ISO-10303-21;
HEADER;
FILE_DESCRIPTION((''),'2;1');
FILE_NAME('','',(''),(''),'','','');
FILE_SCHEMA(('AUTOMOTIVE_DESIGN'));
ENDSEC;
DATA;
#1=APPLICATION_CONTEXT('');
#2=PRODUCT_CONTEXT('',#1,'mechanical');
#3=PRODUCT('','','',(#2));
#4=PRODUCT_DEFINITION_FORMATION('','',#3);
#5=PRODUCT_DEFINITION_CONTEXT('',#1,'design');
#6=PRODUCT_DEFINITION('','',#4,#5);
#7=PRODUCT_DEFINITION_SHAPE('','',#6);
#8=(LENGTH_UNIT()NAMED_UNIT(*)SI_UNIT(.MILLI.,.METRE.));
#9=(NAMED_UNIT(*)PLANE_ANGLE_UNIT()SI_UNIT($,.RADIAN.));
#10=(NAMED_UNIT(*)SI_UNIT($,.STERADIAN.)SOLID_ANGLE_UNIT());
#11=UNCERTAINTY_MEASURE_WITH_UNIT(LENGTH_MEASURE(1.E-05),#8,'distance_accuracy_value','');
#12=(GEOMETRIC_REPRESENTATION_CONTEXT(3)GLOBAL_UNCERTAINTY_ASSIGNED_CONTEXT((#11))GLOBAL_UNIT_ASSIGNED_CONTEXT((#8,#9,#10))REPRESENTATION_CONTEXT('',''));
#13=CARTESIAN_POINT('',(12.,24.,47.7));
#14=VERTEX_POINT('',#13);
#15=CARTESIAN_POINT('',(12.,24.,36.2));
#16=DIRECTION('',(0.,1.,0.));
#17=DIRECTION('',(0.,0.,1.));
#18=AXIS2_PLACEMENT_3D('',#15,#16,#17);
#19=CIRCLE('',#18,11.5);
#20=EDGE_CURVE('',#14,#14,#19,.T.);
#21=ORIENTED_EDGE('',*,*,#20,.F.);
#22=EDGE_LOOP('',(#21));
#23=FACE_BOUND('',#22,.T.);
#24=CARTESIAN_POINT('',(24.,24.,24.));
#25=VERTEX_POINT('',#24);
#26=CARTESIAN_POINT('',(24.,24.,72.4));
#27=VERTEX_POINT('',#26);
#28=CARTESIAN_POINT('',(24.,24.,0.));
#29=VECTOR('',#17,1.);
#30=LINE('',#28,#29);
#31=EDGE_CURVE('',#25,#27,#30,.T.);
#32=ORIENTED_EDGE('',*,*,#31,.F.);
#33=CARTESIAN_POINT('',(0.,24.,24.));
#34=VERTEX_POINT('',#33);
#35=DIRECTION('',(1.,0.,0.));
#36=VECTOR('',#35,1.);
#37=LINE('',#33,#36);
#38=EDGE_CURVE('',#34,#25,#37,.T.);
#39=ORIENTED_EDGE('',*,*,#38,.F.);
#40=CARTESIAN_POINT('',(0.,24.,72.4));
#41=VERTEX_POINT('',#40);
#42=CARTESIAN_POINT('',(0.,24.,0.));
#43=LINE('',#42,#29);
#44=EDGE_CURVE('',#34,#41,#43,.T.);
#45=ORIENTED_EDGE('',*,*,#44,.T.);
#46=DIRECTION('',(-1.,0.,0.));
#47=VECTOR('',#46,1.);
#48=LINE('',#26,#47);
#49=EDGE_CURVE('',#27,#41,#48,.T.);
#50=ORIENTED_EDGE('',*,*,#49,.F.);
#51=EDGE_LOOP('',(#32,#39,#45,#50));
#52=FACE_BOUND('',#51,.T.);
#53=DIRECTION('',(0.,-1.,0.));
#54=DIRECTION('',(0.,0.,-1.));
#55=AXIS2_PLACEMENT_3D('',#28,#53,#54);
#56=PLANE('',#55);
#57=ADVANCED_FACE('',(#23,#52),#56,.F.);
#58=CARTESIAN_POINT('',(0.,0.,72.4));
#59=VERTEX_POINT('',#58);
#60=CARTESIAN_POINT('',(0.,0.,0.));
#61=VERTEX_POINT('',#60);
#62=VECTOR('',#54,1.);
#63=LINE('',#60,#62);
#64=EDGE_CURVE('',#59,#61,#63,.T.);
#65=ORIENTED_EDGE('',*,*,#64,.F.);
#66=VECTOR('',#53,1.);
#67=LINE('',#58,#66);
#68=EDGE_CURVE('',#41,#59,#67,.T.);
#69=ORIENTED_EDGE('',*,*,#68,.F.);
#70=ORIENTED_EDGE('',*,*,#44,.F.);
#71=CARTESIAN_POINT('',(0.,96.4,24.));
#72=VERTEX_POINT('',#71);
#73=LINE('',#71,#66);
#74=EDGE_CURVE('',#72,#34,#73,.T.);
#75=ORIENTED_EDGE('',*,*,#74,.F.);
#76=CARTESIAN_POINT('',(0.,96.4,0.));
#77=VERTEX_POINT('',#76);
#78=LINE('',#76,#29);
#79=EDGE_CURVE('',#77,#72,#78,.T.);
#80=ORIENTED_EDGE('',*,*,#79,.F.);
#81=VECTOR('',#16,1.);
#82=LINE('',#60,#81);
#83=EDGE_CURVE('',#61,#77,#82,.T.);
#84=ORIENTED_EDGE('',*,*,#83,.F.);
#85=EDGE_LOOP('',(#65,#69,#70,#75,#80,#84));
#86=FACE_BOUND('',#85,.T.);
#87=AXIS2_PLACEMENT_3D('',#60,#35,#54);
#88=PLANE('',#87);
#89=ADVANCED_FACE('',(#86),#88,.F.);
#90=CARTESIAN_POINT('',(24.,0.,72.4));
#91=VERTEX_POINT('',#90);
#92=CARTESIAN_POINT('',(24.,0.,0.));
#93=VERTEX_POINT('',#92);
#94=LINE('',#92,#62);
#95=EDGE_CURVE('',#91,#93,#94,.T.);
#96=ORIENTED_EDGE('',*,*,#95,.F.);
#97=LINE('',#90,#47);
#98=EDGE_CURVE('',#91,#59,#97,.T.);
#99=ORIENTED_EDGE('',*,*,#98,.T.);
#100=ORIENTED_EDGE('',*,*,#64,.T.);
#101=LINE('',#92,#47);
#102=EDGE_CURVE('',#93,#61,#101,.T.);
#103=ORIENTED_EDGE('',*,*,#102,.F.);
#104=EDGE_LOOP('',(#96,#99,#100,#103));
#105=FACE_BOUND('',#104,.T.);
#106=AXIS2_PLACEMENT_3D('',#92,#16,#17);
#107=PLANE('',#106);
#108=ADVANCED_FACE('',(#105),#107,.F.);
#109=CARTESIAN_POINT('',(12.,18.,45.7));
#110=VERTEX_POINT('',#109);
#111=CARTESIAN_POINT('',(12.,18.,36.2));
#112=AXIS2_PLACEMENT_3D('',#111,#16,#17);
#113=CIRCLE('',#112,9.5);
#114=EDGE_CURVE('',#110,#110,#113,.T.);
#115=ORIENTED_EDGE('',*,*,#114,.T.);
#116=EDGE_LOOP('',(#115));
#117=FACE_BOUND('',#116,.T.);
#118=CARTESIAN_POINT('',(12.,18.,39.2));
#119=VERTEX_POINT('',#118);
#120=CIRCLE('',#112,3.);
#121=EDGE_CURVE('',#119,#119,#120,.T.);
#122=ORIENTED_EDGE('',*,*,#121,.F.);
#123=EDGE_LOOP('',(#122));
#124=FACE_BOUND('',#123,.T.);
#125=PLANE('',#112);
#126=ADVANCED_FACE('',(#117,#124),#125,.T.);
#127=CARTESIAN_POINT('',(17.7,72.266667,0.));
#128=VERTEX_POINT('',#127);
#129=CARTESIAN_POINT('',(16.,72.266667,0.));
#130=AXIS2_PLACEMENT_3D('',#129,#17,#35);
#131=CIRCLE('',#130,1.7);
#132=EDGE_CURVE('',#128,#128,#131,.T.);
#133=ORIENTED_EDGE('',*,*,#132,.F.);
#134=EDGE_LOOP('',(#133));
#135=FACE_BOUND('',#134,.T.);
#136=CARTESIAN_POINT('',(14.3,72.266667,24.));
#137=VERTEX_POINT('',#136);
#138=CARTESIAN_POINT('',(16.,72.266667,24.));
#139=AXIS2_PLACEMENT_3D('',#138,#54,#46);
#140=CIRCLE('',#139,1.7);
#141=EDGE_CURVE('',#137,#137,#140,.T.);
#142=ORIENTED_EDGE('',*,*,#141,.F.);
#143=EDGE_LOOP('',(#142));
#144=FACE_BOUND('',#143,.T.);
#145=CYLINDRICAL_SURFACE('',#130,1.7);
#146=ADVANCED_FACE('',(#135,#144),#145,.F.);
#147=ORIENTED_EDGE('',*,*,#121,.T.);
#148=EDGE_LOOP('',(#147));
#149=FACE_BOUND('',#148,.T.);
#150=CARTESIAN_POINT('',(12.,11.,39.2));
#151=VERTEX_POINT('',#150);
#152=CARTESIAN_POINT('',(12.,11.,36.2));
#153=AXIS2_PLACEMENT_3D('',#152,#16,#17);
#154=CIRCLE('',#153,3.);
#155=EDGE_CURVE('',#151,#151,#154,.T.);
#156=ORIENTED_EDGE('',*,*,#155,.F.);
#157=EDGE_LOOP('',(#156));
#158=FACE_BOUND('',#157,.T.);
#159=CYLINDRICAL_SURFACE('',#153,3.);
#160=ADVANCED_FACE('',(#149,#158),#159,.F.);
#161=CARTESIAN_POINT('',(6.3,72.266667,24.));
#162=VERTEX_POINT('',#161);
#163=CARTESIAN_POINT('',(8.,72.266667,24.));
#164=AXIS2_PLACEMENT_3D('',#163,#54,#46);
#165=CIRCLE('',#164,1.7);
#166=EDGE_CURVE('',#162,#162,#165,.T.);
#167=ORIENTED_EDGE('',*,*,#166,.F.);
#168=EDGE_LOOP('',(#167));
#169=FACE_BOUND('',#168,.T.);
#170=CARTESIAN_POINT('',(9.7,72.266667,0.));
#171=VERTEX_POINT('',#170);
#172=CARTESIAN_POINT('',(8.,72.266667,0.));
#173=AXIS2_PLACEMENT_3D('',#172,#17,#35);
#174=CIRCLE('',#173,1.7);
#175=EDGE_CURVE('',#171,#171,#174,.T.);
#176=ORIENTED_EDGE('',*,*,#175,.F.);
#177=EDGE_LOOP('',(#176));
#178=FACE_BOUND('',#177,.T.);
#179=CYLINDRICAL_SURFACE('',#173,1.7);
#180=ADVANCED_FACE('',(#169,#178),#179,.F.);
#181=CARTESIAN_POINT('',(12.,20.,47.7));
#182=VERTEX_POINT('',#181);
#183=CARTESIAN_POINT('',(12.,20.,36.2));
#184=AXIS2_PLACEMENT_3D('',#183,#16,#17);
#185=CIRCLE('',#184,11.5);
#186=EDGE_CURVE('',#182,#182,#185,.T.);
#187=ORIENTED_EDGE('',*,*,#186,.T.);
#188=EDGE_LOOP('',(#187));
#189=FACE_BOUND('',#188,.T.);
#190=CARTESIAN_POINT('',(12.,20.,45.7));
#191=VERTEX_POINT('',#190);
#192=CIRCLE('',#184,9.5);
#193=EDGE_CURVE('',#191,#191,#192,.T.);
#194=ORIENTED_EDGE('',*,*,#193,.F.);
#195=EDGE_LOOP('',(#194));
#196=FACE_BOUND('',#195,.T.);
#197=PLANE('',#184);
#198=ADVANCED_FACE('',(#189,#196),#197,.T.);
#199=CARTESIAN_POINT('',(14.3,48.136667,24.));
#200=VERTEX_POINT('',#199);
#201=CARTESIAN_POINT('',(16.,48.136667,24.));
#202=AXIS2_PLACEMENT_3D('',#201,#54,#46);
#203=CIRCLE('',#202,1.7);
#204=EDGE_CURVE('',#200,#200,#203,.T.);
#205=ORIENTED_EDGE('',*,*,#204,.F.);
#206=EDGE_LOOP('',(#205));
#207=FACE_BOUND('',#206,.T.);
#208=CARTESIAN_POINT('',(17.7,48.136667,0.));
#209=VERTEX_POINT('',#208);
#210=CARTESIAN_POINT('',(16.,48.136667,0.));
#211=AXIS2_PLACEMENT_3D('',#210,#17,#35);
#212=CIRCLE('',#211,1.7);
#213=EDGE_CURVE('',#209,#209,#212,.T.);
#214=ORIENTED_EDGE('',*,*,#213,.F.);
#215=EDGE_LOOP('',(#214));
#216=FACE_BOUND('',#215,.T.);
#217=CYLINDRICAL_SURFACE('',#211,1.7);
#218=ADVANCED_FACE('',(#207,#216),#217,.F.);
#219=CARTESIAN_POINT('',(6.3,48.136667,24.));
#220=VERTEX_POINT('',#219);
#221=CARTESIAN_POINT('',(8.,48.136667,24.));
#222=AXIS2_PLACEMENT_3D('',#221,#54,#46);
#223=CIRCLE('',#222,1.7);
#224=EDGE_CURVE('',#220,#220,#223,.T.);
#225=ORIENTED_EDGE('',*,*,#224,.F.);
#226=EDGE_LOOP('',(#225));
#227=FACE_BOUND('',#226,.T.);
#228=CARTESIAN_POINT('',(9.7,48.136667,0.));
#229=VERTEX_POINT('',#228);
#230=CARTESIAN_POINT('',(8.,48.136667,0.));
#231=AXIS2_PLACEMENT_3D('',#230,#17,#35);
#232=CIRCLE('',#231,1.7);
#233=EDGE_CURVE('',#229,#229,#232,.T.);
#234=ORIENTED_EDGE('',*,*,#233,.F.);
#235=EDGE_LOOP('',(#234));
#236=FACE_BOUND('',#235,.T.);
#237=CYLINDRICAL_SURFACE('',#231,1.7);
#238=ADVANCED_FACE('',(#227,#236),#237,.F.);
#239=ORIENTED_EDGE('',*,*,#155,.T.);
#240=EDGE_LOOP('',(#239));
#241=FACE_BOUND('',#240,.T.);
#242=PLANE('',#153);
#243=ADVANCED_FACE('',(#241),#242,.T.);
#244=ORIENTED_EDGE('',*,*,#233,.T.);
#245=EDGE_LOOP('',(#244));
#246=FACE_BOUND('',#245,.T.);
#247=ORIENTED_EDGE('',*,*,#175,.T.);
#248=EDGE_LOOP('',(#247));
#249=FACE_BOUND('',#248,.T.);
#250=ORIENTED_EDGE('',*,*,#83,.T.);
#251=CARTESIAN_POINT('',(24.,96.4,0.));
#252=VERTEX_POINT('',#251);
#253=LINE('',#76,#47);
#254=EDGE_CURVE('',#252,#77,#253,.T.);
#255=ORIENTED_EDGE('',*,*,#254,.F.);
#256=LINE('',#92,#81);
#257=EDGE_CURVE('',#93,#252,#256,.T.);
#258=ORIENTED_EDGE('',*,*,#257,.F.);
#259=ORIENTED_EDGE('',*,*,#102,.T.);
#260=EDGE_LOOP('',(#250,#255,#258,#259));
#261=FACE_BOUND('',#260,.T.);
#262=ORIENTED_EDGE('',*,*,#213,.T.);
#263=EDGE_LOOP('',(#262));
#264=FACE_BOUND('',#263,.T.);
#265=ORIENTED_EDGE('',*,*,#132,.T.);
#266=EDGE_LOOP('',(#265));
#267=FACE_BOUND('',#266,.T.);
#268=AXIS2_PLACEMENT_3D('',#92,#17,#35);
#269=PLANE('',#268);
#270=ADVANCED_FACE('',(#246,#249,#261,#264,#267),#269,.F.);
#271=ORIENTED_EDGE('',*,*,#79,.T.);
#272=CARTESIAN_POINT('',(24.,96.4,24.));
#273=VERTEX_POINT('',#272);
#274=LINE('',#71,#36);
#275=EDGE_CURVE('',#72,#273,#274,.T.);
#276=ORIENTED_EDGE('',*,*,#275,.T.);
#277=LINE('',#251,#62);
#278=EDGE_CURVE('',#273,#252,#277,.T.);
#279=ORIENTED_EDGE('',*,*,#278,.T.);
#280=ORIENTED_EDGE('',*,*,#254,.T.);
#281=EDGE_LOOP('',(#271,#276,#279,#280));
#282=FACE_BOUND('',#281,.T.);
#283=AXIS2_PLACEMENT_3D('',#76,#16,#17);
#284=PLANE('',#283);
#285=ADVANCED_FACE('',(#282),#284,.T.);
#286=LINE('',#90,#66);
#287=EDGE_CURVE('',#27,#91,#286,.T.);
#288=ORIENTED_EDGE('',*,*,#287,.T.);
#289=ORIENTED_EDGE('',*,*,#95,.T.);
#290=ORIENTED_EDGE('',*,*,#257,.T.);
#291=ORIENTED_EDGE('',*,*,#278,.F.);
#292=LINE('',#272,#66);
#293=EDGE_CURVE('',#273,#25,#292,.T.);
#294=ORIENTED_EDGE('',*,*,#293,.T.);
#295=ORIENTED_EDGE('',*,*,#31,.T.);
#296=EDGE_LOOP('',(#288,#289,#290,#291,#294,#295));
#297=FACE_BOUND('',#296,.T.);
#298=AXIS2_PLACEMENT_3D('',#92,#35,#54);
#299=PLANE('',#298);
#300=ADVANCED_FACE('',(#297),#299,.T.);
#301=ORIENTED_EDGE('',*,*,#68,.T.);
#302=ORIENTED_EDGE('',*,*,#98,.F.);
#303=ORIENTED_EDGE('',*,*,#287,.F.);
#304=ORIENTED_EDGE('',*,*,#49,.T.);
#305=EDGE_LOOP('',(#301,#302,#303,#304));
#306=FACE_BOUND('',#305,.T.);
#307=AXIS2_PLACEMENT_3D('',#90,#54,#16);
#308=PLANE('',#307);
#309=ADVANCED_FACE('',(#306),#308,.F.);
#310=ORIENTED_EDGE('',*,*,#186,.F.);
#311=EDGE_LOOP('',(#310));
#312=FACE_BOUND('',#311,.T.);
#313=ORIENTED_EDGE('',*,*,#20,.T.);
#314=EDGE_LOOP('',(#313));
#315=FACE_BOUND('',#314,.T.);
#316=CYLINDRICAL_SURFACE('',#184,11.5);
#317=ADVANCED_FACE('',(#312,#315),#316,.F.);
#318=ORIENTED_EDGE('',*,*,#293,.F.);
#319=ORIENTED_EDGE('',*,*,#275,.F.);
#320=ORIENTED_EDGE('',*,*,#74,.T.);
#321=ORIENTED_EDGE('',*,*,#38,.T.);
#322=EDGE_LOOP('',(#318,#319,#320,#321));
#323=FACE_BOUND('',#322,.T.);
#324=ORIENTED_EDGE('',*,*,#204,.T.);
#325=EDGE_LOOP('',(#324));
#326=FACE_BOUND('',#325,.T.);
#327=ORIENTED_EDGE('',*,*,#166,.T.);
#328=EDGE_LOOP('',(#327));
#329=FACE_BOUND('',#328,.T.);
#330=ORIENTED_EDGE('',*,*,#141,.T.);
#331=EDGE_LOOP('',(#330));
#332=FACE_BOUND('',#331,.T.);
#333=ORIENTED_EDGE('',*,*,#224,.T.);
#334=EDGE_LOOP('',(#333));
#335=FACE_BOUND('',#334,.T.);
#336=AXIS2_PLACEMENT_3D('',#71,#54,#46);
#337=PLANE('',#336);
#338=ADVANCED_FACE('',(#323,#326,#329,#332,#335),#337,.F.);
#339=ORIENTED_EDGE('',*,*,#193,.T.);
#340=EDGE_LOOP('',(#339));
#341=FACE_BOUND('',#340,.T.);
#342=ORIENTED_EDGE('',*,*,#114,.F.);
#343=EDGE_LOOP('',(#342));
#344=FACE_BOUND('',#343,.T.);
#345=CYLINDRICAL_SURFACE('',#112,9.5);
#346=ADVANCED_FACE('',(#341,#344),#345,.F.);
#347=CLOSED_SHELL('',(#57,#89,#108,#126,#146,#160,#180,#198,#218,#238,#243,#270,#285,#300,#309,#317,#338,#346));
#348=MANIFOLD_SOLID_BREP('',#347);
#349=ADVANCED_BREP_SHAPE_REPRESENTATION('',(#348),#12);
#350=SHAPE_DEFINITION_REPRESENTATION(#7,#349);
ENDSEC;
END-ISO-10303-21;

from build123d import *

# Parameters (mm, degrees)
SKETCH2_W            = 72.4
SKETCH2_H            = 24
BOSS_EXTRUDE3_DEPTH  = 24
SKETCH5_W            = 24
SKETCH5_H            = 24
BOSS_EXTRUDE4_DEPTH  = 72.4
SKETCH6_R            = 1.7
CUT_EXTRUDE2_DEPTH   = 111.505746457
LPATTERN1_COUNT      = 2
LPATTERN1_PITCH      = 8
LPATTERN1_COUNT_DIR2 = 2
LPATTERN1_PITCH_DIR2 = 24.13
SKETCH7_R            = 11.5
CUT_EXTRUDE3_DEPTH   = 4
SKETCH8_R            = 9.5
CUT_EXTRUDE4_DEPTH   = 2
SKETCH9_R            = 3
CUT_EXTRUDE5_DEPTH   = 7


with BuildPart() as part:
    # Sketch2 → Boss-Extrude3 (new body)
    with BuildSketch(Plane(origin=(0, 0, 0), x_dir=(0, 0, -1), z_dir=(1, 0, 0))):
        with Locations((-36.2, 12)):
            Rectangle(SKETCH2_W, SKETCH2_H)
    extrude(amount=BOSS_EXTRUDE3_DEPTH)

    # Sketch5 → Boss-Extrude4 (add)
    with BuildSketch(Plane(origin=(0, 24, 0), x_dir=(1, 0, 0), z_dir=(0, 1, 0))):
        with Locations((12, -12)):
            Rectangle(SKETCH5_W, SKETCH5_H)
    extrude(amount=BOSS_EXTRUDE4_DEPTH)

    # Sketch6 → Cut-Extrude2 (cut, symmetric)
    with BuildSketch(Plane.XY.offset(24)):
        with Locations((8, 72.266666667)):
            Circle(SKETCH6_R)
    cut_extrude2 = extrude(amount=CUT_EXTRUDE2_DEPTH, both=True, mode=Mode.SUBTRACT)

    # LPattern1: Cut-Extrude2 2 × 2
    with Locations(*[(i * LPATTERN1_PITCH, -j * LPATTERN1_PITCH_DIR2, 0) for i in range(LPATTERN1_COUNT) for j in range(LPATTERN1_COUNT_DIR2) if (i, j) != (0, 0)]):
        add(cut_extrude2, mode=Mode.SUBTRACT)

    # Sketch7 → Cut-Extrude3 (cut)
    with BuildSketch(Plane(origin=(0, 24, 0), x_dir=(1, 0, 0), z_dir=(0, 1, 0))):
        with Locations(Location((12, -36.2, 0), (0, 0, 270))):
            Circle(SKETCH7_R)
    extrude(amount=-CUT_EXTRUDE3_DEPTH, mode=Mode.SUBTRACT)

    # Sketch8 → Cut-Extrude4 (cut)
    with BuildSketch(Plane(origin=(0, 20, 0), x_dir=(1, 0, 0), z_dir=(0, 1, 0))):
        with Locations(Location((12, -36.2, 0), (0, 0, 270))):
            Circle(SKETCH8_R)
    extrude(amount=-CUT_EXTRUDE4_DEPTH, mode=Mode.SUBTRACT)

    # Sketch9 → Cut-Extrude5 (cut)
    with BuildSketch(Plane(origin=(0, 18, 0), x_dir=(1, 0, 0), z_dir=(0, 1, 0))):
        with Locations(Location((12, -36.2, 0), (0, 0, 270))):
            Circle(SKETCH9_R)
    extrude(amount=-CUT_EXTRUDE5_DEPTH, mode=Mode.SUBTRACT)


solid = part.part
